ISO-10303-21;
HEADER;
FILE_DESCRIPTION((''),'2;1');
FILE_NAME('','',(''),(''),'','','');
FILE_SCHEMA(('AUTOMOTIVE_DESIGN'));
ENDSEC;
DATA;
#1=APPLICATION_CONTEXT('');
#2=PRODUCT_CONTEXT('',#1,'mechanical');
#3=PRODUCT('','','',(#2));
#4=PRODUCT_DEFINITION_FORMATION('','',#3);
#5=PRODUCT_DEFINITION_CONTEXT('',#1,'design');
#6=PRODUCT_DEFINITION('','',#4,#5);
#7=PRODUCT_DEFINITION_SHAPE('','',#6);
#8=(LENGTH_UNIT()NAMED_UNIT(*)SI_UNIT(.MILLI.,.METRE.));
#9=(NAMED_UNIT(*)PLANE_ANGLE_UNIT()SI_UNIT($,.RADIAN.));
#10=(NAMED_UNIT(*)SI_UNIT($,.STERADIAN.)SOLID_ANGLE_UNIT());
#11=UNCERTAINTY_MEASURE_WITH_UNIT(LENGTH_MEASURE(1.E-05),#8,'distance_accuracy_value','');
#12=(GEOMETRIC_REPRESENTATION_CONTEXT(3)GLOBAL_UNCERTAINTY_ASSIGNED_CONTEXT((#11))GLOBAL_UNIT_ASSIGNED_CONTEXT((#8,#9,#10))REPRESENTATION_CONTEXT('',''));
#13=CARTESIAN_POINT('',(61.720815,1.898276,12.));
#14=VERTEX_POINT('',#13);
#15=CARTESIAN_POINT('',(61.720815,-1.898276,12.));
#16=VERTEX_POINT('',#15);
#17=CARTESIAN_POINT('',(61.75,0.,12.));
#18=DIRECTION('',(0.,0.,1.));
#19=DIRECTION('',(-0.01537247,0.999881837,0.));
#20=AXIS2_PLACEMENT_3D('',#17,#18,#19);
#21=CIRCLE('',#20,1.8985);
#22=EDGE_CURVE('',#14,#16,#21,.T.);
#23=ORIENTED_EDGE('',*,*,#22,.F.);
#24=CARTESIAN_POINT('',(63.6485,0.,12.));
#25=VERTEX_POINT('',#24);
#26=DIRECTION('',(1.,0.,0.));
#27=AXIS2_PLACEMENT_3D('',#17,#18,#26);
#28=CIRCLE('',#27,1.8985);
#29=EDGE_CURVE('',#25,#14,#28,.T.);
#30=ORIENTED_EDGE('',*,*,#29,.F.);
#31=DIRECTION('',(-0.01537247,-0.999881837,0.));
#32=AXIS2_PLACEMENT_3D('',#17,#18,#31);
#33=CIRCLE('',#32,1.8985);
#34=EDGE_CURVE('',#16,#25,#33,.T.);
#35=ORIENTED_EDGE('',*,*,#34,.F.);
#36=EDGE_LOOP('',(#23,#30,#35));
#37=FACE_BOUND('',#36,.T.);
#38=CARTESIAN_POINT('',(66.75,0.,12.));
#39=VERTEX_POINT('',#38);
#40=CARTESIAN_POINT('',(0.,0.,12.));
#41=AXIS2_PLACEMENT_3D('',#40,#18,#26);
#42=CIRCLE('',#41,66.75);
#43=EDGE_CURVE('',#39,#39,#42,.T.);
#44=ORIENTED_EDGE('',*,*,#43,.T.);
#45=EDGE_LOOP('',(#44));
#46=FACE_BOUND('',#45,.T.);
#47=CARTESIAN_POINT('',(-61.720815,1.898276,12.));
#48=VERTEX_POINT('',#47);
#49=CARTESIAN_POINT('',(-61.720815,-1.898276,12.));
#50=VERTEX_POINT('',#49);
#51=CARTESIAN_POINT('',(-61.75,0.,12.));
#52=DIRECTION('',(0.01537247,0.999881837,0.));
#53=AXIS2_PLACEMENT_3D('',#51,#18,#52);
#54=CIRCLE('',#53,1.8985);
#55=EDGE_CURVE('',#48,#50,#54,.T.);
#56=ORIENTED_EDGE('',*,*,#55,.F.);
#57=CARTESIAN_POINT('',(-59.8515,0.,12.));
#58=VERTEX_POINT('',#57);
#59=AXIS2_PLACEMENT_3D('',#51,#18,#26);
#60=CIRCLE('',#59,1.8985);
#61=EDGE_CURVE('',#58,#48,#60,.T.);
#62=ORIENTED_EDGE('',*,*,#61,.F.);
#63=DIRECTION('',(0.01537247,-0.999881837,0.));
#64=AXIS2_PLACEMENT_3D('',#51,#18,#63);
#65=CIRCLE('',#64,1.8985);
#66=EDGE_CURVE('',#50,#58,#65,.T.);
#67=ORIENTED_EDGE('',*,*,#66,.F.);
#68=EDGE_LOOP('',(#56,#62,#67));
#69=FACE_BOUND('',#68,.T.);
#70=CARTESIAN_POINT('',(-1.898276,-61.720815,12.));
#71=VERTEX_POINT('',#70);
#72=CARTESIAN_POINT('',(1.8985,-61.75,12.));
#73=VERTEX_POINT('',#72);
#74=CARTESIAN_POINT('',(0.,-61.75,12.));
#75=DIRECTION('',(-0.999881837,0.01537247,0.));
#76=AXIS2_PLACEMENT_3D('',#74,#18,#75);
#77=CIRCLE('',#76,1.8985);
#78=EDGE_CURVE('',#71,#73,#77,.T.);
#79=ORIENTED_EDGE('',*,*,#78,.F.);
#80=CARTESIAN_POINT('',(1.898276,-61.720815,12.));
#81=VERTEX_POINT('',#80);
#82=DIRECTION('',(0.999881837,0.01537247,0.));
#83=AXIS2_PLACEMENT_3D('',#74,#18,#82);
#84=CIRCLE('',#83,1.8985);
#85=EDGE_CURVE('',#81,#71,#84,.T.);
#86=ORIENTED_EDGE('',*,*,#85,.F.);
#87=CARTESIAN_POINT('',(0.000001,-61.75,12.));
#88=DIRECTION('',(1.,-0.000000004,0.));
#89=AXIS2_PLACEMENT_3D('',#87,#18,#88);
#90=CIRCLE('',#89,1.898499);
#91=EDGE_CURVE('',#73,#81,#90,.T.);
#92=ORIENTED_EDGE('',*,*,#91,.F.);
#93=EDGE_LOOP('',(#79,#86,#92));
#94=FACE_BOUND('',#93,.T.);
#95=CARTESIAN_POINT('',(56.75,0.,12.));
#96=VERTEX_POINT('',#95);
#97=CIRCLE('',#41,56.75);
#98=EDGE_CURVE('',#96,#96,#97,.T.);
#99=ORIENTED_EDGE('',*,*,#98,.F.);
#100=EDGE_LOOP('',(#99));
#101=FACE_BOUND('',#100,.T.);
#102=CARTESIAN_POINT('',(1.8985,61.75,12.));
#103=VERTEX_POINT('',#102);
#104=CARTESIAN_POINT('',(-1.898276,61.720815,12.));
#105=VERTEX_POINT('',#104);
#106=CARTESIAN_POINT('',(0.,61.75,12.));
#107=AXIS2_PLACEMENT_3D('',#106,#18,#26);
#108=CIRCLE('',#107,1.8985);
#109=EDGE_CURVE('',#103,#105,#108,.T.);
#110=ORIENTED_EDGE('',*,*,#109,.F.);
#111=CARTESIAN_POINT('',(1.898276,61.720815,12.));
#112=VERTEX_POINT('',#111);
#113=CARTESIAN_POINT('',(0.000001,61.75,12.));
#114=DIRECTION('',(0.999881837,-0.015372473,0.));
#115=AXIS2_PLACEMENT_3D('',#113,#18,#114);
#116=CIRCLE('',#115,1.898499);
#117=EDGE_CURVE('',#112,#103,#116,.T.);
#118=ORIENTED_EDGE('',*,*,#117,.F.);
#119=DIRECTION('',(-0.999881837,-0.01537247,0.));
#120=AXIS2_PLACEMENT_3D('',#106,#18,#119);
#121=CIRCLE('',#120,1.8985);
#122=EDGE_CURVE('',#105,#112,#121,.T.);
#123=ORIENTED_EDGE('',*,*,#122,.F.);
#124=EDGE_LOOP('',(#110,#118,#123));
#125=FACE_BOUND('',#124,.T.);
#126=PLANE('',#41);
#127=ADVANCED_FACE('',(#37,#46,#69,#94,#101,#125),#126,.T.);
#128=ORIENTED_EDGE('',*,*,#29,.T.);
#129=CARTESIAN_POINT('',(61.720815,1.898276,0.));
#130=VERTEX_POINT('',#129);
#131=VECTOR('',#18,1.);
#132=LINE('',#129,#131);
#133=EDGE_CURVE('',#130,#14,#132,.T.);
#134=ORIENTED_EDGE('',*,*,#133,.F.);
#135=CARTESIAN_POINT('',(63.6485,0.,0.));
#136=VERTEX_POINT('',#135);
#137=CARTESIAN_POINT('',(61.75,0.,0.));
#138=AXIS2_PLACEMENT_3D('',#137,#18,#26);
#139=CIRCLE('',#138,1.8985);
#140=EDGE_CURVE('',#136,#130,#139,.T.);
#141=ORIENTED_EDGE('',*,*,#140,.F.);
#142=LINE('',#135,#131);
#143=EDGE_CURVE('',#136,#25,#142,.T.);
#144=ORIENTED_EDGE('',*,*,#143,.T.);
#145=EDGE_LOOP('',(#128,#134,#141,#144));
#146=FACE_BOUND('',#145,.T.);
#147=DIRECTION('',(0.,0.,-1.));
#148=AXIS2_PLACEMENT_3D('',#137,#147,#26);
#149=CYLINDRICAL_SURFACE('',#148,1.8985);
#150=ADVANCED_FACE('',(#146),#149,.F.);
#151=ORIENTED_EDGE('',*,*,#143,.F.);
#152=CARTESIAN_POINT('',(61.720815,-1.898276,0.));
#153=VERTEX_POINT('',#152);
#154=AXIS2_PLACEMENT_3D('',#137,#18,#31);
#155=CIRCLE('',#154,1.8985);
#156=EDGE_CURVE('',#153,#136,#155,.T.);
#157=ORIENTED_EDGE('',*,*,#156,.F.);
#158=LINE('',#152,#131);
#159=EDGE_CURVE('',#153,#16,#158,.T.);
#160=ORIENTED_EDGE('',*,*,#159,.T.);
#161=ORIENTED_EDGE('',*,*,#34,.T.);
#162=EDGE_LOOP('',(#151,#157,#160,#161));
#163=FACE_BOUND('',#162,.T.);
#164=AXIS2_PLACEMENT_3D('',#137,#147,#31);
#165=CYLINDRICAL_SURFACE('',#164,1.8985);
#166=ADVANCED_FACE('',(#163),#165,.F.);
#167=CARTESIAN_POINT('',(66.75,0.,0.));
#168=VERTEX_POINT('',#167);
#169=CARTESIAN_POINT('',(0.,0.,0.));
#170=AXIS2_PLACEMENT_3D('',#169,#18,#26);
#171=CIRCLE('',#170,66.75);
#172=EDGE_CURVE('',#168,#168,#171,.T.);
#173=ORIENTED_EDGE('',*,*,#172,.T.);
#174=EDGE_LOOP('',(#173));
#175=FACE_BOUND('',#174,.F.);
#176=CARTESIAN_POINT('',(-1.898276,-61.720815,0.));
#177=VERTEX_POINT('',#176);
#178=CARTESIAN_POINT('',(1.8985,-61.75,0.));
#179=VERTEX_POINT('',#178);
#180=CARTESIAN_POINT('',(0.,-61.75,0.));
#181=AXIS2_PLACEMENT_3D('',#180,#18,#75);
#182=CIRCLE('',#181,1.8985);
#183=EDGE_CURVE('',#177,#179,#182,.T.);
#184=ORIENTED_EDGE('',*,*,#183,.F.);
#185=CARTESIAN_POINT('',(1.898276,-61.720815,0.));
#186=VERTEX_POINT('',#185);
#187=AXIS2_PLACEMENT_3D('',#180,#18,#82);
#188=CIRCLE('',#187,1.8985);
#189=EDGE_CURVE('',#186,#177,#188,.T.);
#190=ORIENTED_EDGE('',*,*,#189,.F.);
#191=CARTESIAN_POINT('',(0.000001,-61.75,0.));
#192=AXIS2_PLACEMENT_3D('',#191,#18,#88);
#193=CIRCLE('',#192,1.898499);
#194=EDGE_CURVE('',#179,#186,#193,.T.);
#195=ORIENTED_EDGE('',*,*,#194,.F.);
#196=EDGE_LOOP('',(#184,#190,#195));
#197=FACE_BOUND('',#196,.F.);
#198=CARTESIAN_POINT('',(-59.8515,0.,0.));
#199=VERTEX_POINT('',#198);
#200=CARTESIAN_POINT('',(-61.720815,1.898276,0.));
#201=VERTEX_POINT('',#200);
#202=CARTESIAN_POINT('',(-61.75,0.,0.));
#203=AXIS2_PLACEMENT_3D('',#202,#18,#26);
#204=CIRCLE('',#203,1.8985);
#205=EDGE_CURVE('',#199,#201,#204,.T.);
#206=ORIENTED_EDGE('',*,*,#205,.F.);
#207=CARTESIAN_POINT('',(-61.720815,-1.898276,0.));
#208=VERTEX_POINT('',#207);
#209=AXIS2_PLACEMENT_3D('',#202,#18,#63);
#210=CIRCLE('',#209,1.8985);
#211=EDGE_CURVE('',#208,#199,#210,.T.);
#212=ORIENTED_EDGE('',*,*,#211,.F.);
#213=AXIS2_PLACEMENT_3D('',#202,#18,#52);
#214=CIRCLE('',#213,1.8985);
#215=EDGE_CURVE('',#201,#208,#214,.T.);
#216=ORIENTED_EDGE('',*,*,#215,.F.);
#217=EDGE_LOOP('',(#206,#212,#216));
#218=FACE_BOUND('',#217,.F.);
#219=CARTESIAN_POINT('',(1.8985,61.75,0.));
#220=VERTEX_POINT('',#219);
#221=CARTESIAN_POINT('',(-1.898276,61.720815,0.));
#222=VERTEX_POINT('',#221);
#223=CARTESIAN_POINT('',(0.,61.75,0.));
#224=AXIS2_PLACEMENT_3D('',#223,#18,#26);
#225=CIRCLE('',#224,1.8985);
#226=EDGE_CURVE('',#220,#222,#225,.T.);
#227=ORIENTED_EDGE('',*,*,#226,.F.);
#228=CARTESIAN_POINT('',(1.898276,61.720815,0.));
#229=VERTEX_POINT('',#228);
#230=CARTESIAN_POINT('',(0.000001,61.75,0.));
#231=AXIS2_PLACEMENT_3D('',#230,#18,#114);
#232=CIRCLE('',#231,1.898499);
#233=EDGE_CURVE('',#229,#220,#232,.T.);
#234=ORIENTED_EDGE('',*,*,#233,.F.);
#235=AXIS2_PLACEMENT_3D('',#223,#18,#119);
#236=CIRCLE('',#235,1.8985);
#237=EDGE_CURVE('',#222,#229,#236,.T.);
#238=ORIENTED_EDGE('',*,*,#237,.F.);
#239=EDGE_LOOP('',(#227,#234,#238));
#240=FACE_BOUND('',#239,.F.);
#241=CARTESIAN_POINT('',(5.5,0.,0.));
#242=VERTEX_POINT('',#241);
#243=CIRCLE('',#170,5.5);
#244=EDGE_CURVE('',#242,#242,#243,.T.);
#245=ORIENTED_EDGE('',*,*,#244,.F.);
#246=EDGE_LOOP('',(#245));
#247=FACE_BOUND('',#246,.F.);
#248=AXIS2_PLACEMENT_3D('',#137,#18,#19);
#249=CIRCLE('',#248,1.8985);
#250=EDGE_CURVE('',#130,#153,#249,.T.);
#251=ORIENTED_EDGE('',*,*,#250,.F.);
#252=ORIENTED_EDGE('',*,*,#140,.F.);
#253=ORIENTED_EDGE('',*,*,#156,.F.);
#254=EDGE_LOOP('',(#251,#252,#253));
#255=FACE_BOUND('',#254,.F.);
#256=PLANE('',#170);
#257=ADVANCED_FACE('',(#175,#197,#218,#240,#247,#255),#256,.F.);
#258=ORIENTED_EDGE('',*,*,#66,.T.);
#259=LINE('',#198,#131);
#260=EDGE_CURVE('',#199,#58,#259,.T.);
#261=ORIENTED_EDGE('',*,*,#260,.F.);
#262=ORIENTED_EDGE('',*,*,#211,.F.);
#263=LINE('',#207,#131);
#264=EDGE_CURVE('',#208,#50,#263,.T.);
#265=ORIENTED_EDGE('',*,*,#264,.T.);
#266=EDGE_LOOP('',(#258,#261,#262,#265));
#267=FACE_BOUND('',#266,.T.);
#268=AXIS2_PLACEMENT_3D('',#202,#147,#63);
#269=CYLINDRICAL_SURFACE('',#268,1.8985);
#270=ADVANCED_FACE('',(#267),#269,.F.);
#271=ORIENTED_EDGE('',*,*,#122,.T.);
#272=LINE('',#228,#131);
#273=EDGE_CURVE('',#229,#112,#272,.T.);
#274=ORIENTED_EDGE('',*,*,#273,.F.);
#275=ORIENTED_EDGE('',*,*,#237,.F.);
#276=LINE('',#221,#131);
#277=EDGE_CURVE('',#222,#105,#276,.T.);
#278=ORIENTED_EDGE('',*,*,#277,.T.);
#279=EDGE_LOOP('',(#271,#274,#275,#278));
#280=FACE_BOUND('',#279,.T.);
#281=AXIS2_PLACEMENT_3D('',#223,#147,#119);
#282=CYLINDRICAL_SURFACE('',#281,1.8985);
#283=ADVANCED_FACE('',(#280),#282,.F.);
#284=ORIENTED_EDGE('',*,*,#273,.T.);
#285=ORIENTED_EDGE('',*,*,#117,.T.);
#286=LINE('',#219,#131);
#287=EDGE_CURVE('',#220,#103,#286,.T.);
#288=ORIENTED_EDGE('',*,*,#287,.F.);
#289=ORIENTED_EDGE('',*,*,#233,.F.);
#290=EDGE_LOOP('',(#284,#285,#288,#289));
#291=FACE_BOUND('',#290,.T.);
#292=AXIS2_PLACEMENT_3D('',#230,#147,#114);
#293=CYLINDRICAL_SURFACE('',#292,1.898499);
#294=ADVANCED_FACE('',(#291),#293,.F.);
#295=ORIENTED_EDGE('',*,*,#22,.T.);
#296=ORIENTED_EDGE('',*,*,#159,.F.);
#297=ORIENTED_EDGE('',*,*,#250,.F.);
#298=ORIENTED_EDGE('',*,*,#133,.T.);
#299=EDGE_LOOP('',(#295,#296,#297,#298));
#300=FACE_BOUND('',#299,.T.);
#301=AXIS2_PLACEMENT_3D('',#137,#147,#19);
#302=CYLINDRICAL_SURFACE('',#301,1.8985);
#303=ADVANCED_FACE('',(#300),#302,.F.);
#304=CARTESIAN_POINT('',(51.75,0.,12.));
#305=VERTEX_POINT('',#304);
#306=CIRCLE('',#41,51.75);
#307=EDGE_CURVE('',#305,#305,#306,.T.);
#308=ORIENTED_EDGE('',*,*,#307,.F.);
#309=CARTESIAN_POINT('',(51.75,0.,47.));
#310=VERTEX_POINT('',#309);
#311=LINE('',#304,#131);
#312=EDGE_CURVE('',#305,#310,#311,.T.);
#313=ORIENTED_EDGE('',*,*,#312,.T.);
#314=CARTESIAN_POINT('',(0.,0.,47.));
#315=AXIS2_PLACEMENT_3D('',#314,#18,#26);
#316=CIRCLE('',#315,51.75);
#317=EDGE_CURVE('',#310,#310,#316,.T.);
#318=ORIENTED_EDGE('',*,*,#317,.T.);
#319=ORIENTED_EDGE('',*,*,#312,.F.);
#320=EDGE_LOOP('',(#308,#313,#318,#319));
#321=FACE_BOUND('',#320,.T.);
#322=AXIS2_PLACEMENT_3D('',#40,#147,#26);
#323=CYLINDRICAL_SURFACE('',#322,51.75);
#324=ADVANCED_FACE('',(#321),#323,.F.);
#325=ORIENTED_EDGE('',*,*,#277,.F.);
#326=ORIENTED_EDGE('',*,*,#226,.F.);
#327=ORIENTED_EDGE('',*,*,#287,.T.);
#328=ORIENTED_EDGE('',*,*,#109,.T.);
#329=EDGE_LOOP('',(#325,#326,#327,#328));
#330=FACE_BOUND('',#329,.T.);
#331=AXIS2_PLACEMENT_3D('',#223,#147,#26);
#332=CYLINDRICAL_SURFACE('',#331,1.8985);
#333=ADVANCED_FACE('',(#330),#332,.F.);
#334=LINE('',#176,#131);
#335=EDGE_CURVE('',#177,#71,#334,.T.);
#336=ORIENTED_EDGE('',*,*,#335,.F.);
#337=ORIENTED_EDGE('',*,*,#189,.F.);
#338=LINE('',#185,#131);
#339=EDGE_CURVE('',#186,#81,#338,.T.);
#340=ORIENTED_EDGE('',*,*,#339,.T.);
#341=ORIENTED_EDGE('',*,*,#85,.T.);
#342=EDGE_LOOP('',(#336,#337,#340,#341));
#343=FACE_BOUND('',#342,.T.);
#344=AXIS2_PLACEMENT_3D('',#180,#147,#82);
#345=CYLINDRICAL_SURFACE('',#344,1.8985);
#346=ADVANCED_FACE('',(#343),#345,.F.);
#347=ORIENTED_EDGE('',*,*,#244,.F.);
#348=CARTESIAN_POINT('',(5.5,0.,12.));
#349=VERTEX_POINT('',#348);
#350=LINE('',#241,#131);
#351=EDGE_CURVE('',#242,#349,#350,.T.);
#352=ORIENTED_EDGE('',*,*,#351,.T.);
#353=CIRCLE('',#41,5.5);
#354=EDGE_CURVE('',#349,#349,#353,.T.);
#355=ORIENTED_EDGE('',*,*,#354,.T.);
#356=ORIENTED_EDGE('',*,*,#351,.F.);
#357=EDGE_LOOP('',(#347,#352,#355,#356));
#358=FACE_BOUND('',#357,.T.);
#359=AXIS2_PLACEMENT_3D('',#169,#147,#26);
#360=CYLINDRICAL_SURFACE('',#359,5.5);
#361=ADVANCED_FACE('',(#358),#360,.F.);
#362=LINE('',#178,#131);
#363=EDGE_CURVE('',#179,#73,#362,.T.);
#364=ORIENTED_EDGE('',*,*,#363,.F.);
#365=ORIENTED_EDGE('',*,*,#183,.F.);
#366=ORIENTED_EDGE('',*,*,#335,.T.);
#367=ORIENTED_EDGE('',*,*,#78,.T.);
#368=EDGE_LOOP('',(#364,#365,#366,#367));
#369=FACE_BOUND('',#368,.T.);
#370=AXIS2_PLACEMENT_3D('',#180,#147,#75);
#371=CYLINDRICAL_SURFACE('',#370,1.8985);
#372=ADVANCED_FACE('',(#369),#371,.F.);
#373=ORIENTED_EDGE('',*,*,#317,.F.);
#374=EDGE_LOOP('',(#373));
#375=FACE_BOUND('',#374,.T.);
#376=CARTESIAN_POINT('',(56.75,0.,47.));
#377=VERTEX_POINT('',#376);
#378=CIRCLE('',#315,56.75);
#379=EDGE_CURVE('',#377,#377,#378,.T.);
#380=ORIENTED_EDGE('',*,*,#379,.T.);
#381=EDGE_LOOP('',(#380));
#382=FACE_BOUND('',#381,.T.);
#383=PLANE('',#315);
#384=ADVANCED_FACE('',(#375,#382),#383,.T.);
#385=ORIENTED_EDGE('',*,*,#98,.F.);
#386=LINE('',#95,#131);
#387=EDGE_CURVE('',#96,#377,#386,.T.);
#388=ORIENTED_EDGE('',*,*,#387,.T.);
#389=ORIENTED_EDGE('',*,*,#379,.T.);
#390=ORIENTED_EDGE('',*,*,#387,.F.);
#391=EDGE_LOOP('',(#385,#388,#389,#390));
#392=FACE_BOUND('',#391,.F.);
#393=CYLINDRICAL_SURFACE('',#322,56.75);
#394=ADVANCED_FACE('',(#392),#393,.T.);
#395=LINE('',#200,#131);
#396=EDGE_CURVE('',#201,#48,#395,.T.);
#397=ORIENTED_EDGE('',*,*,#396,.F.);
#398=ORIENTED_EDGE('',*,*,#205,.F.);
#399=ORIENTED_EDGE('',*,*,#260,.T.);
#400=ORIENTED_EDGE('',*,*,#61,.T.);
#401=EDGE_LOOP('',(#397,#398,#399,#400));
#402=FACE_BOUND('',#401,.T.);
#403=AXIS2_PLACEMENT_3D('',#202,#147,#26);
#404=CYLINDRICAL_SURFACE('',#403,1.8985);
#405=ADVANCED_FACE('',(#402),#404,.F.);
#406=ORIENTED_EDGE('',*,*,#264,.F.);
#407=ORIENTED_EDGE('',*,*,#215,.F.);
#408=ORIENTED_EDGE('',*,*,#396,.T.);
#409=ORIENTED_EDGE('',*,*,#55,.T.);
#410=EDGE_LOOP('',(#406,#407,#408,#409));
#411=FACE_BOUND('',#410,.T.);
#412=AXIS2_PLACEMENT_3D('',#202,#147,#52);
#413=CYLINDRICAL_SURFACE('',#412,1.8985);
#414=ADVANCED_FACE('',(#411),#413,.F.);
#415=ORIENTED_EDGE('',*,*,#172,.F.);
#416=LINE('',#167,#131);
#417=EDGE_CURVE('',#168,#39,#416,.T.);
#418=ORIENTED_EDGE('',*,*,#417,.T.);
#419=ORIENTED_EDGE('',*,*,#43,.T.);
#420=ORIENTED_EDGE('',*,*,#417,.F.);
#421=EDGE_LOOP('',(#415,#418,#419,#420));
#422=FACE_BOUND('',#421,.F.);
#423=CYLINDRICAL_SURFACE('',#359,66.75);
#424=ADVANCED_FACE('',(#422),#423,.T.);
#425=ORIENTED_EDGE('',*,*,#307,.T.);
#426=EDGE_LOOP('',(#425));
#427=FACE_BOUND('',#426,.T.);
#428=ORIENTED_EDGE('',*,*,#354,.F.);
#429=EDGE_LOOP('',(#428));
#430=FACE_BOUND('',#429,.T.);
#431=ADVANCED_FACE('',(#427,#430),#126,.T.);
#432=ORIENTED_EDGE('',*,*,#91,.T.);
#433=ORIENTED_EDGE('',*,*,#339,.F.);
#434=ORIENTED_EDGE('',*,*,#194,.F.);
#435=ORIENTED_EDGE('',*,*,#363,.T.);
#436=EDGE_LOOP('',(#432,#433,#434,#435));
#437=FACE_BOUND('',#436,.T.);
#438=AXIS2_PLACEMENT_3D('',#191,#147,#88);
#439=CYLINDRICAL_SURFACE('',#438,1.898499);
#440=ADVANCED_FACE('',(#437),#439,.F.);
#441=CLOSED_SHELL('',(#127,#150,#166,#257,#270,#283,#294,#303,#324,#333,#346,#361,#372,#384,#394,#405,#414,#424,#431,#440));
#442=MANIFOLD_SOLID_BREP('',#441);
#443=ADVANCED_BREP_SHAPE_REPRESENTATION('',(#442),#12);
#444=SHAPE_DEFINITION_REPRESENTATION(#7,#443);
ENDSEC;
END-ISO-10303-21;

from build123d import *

# Parameters (mm, degrees)
F0_R     = 66.75
F1_DEPTH = 12
F2_R     = 56.75
F2_R_2   = 51.75
F3_DEPTH = 35
F6_DEPTH = 12
F7_R     = 5.5
F8_DEPTH = 12


with BuildPart() as f1:
    # F0 (on Top) → F1 (new body)
    with BuildSketch(Plane.XY):
        Circle(F0_R)
    extrude(amount=F1_DEPTH)

    # F2 (on face) → F3 (join)
    with BuildSketch(Plane.XY.offset(12)):
        Circle(F2_R)
        Circle(F2_R_2, mode=Mode.SUBTRACT)
    extrude(amount=F3_DEPTH)

    # F5 (on Top) → F6 (cut)
    with BuildSketch(Plane.XY):
        with BuildLine():
            ThreePointArc((-1.8982756668, 61.7208153664), (0, 59.8515), (1.8982756668, 61.7208153664))
            ThreePointArc((1.8982756668, 61.7208153664), (0, 61.75), (-1.8982756668, 61.7208153664))
        make_face()
        with BuildLine():
            ThreePointArc((-1.8982756668, 61.7208153664), (0, 61.75), (1.8982756668, 61.7208153664))
            ThreePointArc((1.8982756668, 61.7208153664), (1.8984439159, 61.7354072521), (1.8985, 61.75))
            ThreePointArc((1.8985, 61.75), (-0.0145927479, 63.6484439159), (-1.8982756668, 61.7208153664))
        make_face()
        with BuildLine():
            ThreePointArc((61.7208153664, 1.8982756668), (61.7427034105, 0.94925), (61.75, 0))
            ThreePointArc((61.75, 0), (61.7427034105, -0.94925), (61.7208153664, -1.8982756668))
            ThreePointArc((61.7208153664, -1.8982756668), (63.0820839356, -1.3527211976), (63.6485, 0))
            ThreePointArc((63.6485, 0), (63.0820839356, 1.3527211976), (61.7208153664, 1.8982756668))
        make_face()
        with BuildLine():
            ThreePointArc((61.7208153664, -1.8982756668), (61.7427034105, -0.94925), (61.75, 0))
            ThreePointArc((61.75, 0), (61.7427034105, 0.94925), (61.7208153664, 1.8982756668))
            ThreePointArc((61.7208153664, 1.8982756668), (59.8515, 0), (61.7208153664, -1.8982756668))
        make_face()
        with BuildLine():
            ThreePointArc((1.8985, -61.75), (1.8984439159, -61.7354072521), (1.8982756668, -61.7208153664))
            ThreePointArc((1.8982756668, -61.7208153664), (0, -61.75), (-1.8982756668, -61.7208153664))
            ThreePointArc((-1.8982756668, -61.7208153664), (-0.0145927479, -63.6484439159), (1.8985, -61.75))
        make_face()
        with BuildLine():
            ThreePointArc((-1.8982756668, -61.7208153664), (0, -61.75), (1.8982756668, -61.7208153664))
            ThreePointArc((1.8982756668, -61.7208153664), (0, -59.8515), (-1.8982756668, -61.7208153664))
        make_face()
        with BuildLine():
            ThreePointArc((-59.8515, 0), (-60.3972788024, 1.3320839356), (-61.7208153664, 1.8982756668))
            ThreePointArc((-61.7208153664, 1.8982756668), (-61.75, 0), (-61.7208153664, -1.8982756668))
            ThreePointArc((-61.7208153664, -1.8982756668), (-60.3972788024, -1.3320839356), (-59.8515, 0))
        make_face()
        with BuildLine():
            ThreePointArc((-61.7208153664, -1.8982756668), (-61.75, 0), (-61.7208153664, 1.8982756668))
            ThreePointArc((-61.7208153664, 1.8982756668), (-63.6485, 0), (-61.7208153664, -1.8982756668))
        make_face()
    extrude(amount=F6_DEPTH, mode=Mode.SUBTRACT)

    # F7 (on Top) → F8 (cut)
    with BuildSketch(Plane.XY):
        Circle(F7_R)
    extrude(amount=F8_DEPTH, mode=Mode.SUBTRACT)


solid = f1.part
